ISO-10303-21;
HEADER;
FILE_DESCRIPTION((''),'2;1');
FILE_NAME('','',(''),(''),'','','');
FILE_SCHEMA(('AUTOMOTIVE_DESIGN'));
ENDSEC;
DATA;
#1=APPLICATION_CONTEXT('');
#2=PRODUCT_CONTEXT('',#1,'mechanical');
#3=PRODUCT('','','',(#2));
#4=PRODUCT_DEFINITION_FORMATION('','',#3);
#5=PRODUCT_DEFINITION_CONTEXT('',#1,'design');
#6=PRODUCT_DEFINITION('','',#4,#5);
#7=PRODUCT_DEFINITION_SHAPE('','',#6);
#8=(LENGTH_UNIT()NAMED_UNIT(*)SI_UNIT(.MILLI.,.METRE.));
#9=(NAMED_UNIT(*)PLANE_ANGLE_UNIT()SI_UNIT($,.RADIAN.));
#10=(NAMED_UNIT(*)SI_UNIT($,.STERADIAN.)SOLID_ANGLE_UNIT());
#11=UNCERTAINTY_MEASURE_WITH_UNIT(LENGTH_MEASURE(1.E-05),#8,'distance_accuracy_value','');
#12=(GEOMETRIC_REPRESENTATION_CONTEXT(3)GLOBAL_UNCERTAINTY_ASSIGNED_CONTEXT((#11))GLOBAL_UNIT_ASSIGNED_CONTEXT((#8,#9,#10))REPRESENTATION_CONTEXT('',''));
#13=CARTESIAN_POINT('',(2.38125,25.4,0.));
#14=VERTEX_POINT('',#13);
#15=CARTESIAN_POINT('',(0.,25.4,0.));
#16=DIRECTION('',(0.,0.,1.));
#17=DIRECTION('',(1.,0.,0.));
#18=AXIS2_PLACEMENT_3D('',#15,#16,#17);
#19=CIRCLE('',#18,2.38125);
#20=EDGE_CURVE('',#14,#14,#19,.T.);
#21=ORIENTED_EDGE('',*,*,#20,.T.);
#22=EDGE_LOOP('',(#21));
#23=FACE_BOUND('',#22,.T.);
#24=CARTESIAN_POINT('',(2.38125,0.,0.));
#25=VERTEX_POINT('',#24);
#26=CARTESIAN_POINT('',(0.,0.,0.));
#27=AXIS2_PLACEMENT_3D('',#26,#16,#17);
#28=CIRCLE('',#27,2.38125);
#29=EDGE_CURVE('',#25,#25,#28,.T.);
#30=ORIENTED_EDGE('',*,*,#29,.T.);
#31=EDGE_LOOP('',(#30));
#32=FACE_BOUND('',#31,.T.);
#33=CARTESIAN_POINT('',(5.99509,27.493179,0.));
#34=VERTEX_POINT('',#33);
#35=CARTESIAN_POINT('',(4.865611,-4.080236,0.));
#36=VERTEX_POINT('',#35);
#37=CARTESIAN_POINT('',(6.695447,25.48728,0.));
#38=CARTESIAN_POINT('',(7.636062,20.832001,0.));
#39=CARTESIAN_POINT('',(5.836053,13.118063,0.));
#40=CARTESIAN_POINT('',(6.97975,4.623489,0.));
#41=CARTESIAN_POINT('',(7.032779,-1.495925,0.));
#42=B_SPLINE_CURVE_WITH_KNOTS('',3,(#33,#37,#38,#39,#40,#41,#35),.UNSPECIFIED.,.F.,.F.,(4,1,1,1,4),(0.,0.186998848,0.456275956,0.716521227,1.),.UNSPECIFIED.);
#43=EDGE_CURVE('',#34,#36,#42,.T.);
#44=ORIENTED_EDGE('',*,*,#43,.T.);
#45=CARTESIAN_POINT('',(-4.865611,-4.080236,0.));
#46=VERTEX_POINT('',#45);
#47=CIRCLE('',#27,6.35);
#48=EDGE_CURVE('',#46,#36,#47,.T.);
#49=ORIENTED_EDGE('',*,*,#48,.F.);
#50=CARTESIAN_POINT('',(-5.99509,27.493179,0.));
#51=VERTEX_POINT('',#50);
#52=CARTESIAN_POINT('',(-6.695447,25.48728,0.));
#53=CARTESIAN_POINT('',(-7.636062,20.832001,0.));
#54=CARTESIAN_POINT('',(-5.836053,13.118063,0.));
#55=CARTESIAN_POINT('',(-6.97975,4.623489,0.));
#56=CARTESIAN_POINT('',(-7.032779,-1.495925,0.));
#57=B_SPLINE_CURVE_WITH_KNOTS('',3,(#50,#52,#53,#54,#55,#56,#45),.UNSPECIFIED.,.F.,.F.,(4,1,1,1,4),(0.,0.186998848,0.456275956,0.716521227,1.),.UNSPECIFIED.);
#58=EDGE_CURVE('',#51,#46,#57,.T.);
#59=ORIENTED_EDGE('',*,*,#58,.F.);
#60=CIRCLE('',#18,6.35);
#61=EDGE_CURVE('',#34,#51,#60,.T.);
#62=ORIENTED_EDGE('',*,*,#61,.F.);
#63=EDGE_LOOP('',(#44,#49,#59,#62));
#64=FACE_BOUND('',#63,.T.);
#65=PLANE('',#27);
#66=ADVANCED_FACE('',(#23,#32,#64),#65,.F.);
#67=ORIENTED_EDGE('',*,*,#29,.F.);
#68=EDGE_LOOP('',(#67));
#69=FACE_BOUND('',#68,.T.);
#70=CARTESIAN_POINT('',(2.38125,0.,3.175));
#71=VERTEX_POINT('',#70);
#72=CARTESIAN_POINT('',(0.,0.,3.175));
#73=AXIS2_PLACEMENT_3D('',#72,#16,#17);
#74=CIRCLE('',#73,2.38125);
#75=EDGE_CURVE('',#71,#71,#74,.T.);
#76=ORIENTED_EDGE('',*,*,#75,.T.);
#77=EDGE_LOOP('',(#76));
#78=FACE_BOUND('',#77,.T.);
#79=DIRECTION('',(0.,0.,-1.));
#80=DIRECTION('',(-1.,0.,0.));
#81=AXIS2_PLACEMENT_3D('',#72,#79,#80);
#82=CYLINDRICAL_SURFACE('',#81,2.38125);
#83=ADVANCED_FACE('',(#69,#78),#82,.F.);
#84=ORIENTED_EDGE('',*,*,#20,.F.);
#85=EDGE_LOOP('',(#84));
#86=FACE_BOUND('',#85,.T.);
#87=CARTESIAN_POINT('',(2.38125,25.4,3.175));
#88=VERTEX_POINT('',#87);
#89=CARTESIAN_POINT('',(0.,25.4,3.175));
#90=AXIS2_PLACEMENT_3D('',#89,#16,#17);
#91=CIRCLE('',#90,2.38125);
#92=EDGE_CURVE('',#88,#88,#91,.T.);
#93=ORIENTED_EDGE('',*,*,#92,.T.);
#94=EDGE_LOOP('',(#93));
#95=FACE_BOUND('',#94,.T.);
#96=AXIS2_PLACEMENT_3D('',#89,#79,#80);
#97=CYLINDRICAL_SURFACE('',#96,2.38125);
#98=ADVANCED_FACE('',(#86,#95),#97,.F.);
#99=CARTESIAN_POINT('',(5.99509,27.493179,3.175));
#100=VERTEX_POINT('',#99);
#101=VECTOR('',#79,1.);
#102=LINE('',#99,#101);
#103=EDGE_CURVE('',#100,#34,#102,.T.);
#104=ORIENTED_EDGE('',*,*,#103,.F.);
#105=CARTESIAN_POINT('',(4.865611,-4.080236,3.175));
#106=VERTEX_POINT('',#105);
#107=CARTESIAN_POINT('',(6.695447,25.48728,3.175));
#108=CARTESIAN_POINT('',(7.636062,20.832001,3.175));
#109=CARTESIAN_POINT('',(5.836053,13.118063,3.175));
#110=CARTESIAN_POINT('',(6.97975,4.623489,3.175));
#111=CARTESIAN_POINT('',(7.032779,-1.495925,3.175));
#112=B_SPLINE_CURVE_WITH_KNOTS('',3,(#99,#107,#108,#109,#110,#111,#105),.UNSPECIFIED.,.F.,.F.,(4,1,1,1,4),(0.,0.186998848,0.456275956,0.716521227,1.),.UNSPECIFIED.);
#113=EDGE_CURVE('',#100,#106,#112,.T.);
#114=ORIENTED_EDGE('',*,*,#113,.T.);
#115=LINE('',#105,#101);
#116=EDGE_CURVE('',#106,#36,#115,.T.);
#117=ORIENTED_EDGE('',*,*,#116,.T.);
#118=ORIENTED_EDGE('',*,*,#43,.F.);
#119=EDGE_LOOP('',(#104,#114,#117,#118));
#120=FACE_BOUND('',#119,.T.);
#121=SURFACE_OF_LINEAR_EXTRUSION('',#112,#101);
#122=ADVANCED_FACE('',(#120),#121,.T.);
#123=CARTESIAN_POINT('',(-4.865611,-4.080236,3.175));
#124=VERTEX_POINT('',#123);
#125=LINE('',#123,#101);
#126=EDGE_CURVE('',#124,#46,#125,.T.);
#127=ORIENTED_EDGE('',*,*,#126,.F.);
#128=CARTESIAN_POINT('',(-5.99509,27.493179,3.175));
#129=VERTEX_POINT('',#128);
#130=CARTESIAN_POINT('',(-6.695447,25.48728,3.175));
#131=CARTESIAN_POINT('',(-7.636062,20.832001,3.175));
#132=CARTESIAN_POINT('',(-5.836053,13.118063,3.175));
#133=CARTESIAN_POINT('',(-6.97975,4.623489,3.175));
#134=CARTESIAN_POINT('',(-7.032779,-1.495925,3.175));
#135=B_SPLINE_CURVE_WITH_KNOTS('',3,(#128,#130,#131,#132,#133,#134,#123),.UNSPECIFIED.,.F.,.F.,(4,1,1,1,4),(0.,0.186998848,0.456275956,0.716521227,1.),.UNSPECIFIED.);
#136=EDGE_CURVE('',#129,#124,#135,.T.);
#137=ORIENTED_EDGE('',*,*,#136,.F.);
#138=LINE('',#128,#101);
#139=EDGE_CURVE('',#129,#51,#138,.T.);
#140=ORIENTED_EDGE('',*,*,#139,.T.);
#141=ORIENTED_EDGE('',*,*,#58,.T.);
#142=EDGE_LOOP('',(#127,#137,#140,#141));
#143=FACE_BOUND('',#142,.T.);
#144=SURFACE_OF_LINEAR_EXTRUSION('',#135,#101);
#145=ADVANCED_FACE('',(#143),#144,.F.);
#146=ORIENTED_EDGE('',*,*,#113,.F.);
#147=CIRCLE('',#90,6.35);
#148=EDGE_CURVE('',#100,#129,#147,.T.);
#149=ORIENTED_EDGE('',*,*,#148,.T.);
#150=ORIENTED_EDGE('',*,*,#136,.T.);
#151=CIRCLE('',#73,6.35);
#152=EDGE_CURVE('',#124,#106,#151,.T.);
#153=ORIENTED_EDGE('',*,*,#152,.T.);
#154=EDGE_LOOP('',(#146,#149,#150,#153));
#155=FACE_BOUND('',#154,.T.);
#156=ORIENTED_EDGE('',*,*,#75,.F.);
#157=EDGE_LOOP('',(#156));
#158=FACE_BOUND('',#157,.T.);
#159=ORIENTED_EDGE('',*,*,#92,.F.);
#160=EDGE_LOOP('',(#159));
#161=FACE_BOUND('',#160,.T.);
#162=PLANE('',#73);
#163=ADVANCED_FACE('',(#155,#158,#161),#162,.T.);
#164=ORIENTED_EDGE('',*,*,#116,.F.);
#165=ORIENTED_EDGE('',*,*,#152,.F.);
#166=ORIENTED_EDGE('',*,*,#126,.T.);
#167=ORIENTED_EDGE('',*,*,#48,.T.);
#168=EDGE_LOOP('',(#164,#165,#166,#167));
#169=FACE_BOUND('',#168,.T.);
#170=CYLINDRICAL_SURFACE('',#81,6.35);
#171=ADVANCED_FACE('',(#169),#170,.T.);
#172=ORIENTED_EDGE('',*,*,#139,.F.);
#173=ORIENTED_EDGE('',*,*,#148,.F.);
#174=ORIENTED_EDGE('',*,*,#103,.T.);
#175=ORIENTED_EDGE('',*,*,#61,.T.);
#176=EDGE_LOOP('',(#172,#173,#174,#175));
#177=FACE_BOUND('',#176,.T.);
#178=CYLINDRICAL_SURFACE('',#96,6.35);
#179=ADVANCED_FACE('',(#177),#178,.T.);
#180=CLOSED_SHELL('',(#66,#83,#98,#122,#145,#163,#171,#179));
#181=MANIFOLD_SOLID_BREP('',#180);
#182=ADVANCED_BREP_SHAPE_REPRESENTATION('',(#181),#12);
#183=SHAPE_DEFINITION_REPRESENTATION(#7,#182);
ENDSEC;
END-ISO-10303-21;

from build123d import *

# Parameters (mm, degrees)
SKETCH1_R           = 2.38125
BOSS_EXTRUDE1_DEPTH = 3.175


with BuildPart() as part:
    # Sketch1 → Boss-Extrude1 (new body)
    with BuildSketch(Plane.XY):
        with BuildLine():
            ThreePointArc((5.995089754, 27.493179122), (0, 31.75), (-5.995089754, 27.493179122))
            add(Edge.make_bspline(
                [(-5.995089754, 27.493179122), (-6.695447175, 25.487280271), (-7.636062062, 20.832001378), (-5.83605341, 13.118062743), (-6.979750328, 4.623489499), (-7.03277938, -1.495925245), (-4.865611487, -4.080235883)],
                knots=[0, 0, 0, 0, 0.186998848, 0.456275956, 0.716521227, 1, 1, 1, 1], degree=3))
            ThreePointArc((-4.865611487, -4.080235883), (0, -6.35), (4.865611487, -4.080235883))
            add(Edge.make_bspline(
                [(5.995089754, 27.493179122), (6.695447175, 25.487280271), (7.636062062, 20.832001378), (5.83605341, 13.118062743), (6.979750328, 4.623489499), (7.03277938, -1.495925245), (4.865611487, -4.080235883)],
                knots=[0, 0, 0, 0, 0.186998848, 0.456275956, 0.716521227, 1, 1, 1, 1], degree=3))
        make_face()
        with Locations((0, 25.4)):
            Circle(SKETCH1_R, mode=Mode.SUBTRACT)
        Circle(SKETCH1_R, mode=Mode.SUBTRACT)
    extrude(amount=BOSS_EXTRUDE1_DEPTH)


solid = part.part
